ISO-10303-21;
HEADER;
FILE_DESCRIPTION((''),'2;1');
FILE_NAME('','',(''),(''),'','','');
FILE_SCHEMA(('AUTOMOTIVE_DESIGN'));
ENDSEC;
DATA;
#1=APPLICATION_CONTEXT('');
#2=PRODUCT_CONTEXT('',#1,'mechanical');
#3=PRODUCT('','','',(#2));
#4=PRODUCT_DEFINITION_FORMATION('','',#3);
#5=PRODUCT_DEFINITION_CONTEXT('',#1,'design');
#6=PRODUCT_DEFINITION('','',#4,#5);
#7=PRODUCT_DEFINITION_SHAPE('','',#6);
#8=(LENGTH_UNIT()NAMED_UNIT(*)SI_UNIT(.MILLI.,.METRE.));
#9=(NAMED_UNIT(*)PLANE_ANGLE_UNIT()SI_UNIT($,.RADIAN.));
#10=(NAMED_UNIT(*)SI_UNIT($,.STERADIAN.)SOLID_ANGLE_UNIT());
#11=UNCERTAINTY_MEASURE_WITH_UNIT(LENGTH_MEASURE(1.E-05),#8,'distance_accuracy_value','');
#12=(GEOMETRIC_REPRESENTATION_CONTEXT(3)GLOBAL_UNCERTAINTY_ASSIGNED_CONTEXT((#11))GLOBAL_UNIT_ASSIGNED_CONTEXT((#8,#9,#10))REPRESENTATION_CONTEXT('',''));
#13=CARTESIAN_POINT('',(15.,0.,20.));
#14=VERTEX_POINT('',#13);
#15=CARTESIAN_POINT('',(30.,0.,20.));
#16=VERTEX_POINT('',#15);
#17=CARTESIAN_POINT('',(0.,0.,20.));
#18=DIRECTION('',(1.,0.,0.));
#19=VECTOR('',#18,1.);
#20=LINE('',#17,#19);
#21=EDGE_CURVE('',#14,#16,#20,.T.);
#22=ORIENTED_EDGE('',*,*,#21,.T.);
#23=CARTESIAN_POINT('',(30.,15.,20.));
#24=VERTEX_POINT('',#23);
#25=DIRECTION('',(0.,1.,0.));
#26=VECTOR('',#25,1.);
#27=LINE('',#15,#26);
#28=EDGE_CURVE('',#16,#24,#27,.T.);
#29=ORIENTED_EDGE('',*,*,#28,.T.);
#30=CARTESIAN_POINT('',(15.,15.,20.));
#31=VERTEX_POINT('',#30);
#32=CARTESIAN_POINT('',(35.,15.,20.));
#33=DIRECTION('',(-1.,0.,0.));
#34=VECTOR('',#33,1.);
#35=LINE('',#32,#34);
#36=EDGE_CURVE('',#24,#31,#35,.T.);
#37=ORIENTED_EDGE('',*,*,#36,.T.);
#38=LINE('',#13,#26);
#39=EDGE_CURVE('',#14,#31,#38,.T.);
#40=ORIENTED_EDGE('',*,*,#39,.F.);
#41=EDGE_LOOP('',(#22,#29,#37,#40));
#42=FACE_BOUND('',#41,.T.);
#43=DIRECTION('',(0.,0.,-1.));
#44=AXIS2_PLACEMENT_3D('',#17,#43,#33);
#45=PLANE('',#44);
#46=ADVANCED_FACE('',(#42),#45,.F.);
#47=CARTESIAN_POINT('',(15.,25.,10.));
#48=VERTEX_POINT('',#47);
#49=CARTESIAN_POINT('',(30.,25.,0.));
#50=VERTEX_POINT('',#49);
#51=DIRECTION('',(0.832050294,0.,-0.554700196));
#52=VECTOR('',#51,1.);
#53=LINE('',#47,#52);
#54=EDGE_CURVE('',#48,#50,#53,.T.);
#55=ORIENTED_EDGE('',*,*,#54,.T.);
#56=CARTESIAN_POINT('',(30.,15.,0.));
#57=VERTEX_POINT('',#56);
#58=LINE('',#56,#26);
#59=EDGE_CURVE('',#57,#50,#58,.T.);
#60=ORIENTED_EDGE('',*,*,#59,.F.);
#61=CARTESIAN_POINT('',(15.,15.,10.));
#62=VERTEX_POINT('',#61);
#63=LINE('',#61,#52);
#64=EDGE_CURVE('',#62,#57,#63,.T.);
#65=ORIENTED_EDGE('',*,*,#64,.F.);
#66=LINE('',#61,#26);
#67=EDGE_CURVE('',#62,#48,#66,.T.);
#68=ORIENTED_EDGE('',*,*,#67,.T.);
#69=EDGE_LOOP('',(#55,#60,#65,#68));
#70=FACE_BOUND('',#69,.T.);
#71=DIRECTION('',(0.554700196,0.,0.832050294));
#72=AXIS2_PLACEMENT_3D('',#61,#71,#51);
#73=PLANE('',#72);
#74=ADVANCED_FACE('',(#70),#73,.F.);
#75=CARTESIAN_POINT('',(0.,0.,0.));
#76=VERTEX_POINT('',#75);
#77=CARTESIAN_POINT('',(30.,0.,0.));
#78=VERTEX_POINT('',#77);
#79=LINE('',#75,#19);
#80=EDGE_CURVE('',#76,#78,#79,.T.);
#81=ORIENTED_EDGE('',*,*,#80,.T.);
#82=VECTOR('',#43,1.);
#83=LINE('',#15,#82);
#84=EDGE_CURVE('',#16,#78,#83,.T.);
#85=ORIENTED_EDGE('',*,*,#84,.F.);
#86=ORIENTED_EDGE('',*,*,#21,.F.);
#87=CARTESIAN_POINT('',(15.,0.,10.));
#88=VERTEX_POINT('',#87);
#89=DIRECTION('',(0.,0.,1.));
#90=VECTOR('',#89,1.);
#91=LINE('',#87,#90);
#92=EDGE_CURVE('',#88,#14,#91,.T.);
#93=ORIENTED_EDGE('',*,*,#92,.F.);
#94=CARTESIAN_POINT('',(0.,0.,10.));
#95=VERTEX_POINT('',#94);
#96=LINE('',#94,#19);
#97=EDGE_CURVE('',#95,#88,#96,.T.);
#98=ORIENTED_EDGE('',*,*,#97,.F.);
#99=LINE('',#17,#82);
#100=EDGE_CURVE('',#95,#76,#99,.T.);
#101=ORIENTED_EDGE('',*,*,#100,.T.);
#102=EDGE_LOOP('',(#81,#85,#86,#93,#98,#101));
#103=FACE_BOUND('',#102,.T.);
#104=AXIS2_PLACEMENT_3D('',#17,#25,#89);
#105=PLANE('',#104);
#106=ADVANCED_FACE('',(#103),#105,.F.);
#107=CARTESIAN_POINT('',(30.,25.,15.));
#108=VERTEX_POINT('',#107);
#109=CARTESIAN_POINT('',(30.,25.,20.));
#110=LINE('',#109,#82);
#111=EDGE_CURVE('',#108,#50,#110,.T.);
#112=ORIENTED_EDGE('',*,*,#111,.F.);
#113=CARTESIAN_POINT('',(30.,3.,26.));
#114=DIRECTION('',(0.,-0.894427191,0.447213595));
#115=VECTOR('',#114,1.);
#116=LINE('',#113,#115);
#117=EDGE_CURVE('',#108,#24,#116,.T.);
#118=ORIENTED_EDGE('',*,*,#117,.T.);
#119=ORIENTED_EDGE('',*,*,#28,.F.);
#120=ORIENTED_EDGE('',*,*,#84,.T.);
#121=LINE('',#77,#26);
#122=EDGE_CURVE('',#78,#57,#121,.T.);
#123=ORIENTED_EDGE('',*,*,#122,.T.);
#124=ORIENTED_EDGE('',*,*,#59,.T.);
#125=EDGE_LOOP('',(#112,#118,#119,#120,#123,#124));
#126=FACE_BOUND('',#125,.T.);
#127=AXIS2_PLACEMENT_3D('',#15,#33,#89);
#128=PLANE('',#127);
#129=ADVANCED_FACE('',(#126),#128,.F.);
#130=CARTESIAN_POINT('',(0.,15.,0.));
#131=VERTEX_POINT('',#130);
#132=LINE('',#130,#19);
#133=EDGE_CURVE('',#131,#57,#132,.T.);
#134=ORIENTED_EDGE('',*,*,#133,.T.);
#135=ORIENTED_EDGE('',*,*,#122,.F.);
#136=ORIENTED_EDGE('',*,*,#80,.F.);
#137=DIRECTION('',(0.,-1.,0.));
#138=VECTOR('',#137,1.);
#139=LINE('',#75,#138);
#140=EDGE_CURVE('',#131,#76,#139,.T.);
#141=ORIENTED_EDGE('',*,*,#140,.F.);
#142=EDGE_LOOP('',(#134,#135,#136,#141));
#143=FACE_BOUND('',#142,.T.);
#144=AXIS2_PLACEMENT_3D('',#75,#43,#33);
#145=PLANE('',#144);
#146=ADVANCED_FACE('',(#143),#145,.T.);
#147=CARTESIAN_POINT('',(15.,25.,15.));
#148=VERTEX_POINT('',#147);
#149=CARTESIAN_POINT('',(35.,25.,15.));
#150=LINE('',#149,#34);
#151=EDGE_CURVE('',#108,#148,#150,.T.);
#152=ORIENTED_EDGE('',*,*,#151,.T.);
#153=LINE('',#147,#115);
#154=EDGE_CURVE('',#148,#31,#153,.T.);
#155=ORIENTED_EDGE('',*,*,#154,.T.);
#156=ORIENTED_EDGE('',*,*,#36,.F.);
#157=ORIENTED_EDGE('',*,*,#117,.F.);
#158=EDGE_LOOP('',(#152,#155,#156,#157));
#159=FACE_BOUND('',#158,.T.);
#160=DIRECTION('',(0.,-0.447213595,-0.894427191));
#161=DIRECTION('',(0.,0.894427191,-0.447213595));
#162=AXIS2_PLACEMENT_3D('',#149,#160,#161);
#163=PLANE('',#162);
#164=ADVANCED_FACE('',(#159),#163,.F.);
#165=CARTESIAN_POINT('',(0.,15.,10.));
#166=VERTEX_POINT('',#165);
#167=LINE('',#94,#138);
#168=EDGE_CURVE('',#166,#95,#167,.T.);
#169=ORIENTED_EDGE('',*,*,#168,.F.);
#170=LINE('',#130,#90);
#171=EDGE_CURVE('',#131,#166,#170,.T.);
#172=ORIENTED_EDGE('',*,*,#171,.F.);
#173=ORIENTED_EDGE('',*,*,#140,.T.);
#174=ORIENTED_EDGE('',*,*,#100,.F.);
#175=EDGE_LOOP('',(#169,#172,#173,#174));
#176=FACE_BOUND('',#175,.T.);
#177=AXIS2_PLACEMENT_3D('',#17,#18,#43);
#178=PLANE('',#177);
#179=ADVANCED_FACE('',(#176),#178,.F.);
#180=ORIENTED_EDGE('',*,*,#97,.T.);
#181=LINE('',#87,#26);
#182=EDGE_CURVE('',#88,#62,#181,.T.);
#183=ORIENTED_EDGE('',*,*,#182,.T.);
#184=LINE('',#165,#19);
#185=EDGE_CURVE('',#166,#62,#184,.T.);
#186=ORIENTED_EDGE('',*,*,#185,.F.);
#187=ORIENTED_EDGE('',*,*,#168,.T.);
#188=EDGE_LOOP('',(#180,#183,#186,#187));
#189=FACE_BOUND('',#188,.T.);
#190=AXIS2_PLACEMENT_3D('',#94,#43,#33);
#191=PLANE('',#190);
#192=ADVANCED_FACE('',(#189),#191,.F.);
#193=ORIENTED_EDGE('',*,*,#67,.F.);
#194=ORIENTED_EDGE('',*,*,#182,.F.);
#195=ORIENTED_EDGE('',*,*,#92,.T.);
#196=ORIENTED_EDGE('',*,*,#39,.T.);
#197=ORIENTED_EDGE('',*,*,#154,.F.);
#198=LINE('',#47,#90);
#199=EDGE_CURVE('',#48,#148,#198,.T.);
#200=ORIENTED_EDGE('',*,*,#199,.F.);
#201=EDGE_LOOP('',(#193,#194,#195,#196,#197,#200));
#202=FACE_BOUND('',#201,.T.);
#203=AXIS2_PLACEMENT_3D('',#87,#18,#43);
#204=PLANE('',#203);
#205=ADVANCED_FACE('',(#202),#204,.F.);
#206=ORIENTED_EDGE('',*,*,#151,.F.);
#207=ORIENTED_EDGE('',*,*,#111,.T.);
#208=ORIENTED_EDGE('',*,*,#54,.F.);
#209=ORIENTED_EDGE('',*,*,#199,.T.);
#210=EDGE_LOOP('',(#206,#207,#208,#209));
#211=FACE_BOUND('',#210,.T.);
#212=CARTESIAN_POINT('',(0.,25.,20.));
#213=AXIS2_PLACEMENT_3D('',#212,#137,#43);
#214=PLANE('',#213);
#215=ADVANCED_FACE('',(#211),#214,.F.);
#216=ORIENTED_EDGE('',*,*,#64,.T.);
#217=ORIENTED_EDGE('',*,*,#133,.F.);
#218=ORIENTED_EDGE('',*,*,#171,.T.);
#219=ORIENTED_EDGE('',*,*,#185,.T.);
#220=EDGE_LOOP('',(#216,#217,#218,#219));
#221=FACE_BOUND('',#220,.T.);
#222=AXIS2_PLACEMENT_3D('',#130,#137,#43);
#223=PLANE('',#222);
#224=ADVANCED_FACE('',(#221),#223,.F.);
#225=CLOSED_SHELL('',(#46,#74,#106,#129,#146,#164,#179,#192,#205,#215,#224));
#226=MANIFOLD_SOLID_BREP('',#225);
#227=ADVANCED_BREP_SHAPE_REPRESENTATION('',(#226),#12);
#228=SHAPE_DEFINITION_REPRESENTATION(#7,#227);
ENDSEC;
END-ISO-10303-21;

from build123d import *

# Parameters (mm, degrees)
SKETCH1_W           = 30
SKETCH1_H           = 25
BOSS_EXTRUDE1_DEPTH = 20
SKETCH2_W           = 15
SKETCH2_H           = 25
CUT_EXTRUDE1_DEPTH  = 10
SKETCH3_W           = 15
SKETCH3_H           = 10
CUT_EXTRUDE2_DEPTH  = 10
CUT_EXTRUDE3_DEPTH  = 20
CUT_EXTRUDE4_DEPTH  = 10


with BuildPart() as part:
    # Sketch1 → Boss-Extrude1 (new body)
    with BuildSketch(Plane.XY):
        with Locations((15, 12.5)):
            Rectangle(SKETCH1_W, SKETCH1_H)
    extrude(amount=BOSS_EXTRUDE1_DEPTH)

    # Sketch2 → Cut-Extrude1 (cut)
    with BuildSketch(Plane.XY.offset(20)):
        with Locations((7.5, 12.5)):
            Rectangle(SKETCH2_W, SKETCH2_H)
    extrude(amount=-CUT_EXTRUDE1_DEPTH, mode=Mode.SUBTRACT)

    # Sketch3 → Cut-Extrude2 (cut)
    with BuildSketch(Plane.XY.offset(10)):
        with Locations((7.5, 20)):
            Rectangle(SKETCH3_W, SKETCH3_H)
    extrude(amount=-CUT_EXTRUDE2_DEPTH, mode=Mode.SUBTRACT)

    # Sketch4 → Cut-Extrude3 (cut)
    with BuildSketch(Plane.ZY.offset(-15)):
        Polygon((15, 25), (20, 15), (20, 25), align=None)
    extrude(amount=-CUT_EXTRUDE3_DEPTH, mode=Mode.SUBTRACT)

    # Sketch5 → Cut-Extrude4 (cut)
    with BuildSketch(Plane(origin=(0, 25, 0), x_dir=(1, 0, 0), z_dir=(0, 1, 0))):
        Polygon((15, -10), (30, 0), (15, 0), align=None)
    extrude(amount=-CUT_EXTRUDE4_DEPTH, mode=Mode.SUBTRACT)


solid = part.part
